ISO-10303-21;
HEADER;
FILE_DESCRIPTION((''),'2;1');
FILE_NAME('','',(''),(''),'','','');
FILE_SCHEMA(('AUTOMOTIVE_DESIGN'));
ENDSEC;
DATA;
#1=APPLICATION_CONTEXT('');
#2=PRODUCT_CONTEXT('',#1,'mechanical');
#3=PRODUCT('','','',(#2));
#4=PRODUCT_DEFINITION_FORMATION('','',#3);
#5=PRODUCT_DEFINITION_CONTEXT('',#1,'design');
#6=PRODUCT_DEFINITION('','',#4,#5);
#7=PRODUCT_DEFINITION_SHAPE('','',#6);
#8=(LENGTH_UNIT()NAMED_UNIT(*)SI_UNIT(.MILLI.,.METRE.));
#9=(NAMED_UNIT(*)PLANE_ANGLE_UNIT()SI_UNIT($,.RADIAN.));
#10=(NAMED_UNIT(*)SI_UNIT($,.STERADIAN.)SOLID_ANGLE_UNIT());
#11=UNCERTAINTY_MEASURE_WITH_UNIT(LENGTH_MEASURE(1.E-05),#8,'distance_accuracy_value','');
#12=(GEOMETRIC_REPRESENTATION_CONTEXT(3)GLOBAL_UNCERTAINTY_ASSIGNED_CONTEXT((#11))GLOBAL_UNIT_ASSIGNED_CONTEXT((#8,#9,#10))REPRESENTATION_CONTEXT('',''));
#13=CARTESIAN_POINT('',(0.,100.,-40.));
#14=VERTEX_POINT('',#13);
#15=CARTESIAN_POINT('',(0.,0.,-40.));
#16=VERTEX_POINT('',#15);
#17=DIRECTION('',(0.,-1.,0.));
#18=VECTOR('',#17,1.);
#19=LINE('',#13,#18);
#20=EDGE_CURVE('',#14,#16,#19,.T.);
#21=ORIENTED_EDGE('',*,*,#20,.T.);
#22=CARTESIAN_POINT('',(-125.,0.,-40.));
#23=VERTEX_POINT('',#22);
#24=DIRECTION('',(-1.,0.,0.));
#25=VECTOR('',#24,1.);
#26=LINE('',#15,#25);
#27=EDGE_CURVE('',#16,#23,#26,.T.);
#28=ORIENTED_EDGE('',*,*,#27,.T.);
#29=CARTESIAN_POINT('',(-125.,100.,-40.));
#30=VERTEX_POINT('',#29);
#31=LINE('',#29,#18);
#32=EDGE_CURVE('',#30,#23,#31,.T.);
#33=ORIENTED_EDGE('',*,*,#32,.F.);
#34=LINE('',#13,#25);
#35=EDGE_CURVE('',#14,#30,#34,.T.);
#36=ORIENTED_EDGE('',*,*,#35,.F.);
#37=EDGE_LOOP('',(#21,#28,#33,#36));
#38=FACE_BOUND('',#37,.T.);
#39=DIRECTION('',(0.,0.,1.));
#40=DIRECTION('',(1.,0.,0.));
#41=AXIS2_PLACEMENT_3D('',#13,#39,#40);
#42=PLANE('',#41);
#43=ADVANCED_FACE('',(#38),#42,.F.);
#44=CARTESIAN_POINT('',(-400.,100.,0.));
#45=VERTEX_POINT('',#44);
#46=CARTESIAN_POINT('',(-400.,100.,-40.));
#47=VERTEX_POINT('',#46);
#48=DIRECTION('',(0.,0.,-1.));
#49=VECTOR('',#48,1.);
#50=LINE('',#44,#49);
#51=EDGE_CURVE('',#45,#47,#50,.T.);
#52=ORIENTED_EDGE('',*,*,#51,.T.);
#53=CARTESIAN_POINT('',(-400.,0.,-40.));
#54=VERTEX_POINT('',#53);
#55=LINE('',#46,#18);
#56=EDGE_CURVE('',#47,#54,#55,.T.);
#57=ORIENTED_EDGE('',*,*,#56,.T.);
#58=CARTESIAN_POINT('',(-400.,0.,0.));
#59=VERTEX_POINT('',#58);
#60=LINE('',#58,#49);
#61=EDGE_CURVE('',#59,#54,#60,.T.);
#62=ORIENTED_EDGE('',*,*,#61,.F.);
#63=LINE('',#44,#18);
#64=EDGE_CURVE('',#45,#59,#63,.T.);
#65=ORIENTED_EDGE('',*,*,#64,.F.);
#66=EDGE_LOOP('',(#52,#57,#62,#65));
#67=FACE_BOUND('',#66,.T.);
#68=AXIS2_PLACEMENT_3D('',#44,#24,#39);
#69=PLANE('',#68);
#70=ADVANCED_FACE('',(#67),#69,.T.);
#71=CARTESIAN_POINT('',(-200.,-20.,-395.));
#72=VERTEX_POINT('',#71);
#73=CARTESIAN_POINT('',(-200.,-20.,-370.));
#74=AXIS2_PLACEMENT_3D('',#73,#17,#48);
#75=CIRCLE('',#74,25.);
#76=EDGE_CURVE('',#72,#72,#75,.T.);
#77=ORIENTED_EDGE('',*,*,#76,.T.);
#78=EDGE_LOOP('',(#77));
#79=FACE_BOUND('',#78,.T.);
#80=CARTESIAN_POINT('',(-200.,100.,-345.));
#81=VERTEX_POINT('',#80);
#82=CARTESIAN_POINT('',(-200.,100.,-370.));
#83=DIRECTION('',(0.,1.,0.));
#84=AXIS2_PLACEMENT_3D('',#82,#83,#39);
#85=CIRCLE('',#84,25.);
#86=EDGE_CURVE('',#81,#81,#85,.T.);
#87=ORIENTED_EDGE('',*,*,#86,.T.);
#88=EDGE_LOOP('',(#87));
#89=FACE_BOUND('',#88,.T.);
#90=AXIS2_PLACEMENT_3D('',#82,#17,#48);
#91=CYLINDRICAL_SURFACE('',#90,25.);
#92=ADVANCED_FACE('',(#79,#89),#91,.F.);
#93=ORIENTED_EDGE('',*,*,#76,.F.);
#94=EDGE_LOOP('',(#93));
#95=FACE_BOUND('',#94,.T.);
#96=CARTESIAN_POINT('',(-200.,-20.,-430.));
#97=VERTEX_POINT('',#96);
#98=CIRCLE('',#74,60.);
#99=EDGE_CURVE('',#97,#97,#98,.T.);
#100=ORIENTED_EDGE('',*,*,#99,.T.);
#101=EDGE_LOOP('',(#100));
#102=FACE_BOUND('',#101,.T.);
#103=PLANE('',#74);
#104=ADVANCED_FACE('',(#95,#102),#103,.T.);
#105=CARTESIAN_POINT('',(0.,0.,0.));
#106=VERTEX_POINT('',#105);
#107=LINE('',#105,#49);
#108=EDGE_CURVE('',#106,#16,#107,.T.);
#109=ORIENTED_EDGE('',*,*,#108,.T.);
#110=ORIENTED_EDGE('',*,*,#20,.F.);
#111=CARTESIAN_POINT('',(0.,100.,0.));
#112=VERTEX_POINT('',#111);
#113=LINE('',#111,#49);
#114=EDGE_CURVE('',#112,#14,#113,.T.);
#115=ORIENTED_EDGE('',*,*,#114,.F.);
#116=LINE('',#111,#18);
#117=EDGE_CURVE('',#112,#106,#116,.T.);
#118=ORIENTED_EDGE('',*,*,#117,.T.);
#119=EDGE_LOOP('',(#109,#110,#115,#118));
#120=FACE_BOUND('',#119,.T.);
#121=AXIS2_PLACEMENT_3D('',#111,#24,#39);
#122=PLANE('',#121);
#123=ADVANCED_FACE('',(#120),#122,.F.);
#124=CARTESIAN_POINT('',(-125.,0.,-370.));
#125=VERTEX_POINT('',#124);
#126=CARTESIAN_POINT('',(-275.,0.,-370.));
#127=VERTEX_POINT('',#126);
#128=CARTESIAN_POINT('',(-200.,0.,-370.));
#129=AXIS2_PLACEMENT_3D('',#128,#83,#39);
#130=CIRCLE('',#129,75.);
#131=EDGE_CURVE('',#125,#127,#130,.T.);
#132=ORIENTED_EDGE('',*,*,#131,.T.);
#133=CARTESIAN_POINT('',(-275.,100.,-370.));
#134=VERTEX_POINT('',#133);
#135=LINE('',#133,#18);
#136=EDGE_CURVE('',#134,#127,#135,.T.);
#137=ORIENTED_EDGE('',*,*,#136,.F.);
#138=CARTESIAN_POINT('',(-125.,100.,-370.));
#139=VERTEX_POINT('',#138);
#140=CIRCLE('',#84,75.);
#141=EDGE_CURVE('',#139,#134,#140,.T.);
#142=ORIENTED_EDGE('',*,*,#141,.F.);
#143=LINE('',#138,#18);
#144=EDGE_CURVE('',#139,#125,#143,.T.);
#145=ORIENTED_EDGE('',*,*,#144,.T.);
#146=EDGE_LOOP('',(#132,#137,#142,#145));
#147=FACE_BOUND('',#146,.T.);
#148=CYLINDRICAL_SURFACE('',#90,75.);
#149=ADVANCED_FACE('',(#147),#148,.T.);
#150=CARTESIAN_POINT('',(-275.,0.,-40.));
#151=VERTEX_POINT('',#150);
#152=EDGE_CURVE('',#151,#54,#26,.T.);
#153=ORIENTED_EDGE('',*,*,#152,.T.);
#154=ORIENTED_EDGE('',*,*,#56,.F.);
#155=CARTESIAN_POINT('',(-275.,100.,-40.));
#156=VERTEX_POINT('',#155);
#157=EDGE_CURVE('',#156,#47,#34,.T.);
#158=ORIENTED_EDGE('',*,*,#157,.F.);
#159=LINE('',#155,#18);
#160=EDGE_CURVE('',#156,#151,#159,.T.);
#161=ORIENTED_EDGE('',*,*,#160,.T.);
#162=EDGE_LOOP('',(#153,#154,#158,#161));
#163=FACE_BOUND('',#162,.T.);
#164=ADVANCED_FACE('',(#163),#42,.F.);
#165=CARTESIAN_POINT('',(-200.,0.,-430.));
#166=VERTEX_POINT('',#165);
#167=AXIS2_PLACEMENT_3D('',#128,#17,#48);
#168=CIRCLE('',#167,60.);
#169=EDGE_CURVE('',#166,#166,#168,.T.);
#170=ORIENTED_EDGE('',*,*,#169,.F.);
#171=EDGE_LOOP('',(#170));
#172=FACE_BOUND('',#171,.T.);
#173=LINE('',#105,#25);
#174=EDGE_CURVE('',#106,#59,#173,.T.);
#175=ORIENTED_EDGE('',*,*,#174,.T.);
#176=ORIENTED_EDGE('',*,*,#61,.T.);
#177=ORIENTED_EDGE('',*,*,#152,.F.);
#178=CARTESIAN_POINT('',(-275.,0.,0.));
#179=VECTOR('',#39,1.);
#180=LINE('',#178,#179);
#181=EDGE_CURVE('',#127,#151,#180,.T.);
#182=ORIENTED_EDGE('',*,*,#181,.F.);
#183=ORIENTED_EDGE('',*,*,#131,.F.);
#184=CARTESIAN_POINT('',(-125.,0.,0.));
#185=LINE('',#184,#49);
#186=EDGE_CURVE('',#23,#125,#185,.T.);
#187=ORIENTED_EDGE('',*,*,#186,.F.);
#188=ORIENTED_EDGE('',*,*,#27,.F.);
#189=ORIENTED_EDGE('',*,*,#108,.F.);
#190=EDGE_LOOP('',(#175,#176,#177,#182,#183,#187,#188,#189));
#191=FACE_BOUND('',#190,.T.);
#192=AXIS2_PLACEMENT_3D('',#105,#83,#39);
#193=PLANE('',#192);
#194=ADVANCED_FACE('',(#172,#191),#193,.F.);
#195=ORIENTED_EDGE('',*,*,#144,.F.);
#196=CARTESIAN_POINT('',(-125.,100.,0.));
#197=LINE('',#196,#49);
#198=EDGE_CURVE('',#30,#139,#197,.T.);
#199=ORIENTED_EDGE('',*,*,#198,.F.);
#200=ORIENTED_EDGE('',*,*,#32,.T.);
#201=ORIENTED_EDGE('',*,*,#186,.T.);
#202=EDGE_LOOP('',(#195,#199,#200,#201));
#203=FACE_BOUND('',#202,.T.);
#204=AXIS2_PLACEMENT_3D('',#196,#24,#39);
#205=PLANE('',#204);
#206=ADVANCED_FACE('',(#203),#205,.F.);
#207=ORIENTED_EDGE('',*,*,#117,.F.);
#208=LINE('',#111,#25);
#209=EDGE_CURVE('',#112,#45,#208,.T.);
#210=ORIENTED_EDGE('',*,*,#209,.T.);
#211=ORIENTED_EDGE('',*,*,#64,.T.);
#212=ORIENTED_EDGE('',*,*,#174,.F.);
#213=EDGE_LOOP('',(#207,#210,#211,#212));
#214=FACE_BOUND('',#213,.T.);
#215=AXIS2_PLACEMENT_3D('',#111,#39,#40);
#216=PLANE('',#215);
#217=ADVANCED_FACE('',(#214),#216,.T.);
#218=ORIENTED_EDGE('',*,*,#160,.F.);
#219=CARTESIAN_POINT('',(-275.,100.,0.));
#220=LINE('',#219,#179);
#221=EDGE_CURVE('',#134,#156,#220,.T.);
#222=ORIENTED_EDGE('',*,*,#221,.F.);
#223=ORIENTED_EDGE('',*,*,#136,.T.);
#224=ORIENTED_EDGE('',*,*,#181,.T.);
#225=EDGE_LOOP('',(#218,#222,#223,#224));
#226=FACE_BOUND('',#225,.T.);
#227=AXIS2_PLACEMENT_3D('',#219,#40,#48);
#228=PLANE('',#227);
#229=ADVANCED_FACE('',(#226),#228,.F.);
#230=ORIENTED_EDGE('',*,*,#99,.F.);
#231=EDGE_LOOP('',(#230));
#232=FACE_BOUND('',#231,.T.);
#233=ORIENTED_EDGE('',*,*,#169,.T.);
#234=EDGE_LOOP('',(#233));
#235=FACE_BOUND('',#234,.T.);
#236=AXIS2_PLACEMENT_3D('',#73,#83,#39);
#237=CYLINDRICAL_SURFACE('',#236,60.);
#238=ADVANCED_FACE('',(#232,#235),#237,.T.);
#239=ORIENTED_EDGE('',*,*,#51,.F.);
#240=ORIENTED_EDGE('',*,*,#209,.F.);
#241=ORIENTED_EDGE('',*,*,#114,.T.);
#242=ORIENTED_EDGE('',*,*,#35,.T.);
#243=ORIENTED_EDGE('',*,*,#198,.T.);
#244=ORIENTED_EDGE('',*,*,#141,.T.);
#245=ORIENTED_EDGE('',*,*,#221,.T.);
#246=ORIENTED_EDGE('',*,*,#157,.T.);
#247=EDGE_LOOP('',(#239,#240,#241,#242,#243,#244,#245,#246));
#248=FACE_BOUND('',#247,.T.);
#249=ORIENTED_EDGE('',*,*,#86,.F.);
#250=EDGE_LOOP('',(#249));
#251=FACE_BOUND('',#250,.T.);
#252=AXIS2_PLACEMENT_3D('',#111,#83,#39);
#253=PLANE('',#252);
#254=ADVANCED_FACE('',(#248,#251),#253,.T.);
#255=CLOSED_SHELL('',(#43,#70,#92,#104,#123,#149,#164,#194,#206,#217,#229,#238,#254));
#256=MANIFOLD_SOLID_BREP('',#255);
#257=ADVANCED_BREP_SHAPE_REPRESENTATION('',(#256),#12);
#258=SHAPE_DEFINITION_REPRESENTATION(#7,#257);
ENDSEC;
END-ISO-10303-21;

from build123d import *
from build123d.topology import SkipClean

# Parameters (mm, degrees)
CROQUIS2_R              = 75
CROQUIS2_R_2            = 25
CROQUIS2_W              = 400
CROQUIS2_H              = 40
SALIENTE_EXTRUIR1_DEPTH = 100
SALIENTE_EXTRUIR2_START = 20
CROQUIS3_R              = 60
CROQUIS3_R_2            = 25
SALIENTE_EXTRUIR2_DEPTH = 20


with BuildPart() as part:
    # Croquis2 → Saliente-Extruir1 (new body)
    # profile 1 of 3: a face of its own
    with BuildSketch(Plane(origin=(0, 0, 0), x_dir=(1, 0, 0), z_dir=(0, 1, 0))):
        with Locations((-200, 370)):
            Circle(CROQUIS2_R)
        with Locations(Location((-200, 370, 0), (0, 0, 270))):
            Circle(CROQUIS2_R_2, mode=Mode.SUBTRACT)
    # profile 2 of 3: a face of its own
    with BuildSketch(Plane(origin=(0, 0, 0), x_dir=(1, 0, 0), z_dir=(0, 1, 0))):
        with BuildLine():
            Line((-275, 345), (-275, 40))
            Line((-275, 40), (-200, 40))
            Line((-200, 40), (-125, 40))
            Line((-125, 40), (-125, 345))
            Line((-125, 345), (-125, 370))
            ThreePointArc((-125, 370), (-200, 295), (-275, 370))
            Line((-275, 370), (-275, 345))
        make_face()
    # profile 3 of 3: a face of its own
    with BuildSketch(Plane(origin=(0, 0, 0), x_dir=(1, 0, 0), z_dir=(0, 1, 0))):
        with Locations((-200, 20)):
            Rectangle(CROQUIS2_W, CROQUIS2_H)
    extrude(amount=SALIENTE_EXTRUIR1_DEPTH)

    # Croquis3 → Saliente-Extruir2 (add)
    with SkipClean():  # the faces are left unmerged after this step: merging them gives an invalid solid
        with BuildSketch(Plane(origin=(0, 0, 0), x_dir=(-1, 0, 0), z_dir=(0, -1, 0)).offset(SALIENTE_EXTRUIR2_START)):
            with Locations(Location((200, 370, 0), (0, 0, 90))):
                Circle(CROQUIS3_R)
            with Locations(Location((200, 370, 0), (0, 0, 90))):
                Circle(CROQUIS3_R_2, mode=Mode.SUBTRACT)
        extrude(amount=-SALIENTE_EXTRUIR2_DEPTH)


solid = part.part
